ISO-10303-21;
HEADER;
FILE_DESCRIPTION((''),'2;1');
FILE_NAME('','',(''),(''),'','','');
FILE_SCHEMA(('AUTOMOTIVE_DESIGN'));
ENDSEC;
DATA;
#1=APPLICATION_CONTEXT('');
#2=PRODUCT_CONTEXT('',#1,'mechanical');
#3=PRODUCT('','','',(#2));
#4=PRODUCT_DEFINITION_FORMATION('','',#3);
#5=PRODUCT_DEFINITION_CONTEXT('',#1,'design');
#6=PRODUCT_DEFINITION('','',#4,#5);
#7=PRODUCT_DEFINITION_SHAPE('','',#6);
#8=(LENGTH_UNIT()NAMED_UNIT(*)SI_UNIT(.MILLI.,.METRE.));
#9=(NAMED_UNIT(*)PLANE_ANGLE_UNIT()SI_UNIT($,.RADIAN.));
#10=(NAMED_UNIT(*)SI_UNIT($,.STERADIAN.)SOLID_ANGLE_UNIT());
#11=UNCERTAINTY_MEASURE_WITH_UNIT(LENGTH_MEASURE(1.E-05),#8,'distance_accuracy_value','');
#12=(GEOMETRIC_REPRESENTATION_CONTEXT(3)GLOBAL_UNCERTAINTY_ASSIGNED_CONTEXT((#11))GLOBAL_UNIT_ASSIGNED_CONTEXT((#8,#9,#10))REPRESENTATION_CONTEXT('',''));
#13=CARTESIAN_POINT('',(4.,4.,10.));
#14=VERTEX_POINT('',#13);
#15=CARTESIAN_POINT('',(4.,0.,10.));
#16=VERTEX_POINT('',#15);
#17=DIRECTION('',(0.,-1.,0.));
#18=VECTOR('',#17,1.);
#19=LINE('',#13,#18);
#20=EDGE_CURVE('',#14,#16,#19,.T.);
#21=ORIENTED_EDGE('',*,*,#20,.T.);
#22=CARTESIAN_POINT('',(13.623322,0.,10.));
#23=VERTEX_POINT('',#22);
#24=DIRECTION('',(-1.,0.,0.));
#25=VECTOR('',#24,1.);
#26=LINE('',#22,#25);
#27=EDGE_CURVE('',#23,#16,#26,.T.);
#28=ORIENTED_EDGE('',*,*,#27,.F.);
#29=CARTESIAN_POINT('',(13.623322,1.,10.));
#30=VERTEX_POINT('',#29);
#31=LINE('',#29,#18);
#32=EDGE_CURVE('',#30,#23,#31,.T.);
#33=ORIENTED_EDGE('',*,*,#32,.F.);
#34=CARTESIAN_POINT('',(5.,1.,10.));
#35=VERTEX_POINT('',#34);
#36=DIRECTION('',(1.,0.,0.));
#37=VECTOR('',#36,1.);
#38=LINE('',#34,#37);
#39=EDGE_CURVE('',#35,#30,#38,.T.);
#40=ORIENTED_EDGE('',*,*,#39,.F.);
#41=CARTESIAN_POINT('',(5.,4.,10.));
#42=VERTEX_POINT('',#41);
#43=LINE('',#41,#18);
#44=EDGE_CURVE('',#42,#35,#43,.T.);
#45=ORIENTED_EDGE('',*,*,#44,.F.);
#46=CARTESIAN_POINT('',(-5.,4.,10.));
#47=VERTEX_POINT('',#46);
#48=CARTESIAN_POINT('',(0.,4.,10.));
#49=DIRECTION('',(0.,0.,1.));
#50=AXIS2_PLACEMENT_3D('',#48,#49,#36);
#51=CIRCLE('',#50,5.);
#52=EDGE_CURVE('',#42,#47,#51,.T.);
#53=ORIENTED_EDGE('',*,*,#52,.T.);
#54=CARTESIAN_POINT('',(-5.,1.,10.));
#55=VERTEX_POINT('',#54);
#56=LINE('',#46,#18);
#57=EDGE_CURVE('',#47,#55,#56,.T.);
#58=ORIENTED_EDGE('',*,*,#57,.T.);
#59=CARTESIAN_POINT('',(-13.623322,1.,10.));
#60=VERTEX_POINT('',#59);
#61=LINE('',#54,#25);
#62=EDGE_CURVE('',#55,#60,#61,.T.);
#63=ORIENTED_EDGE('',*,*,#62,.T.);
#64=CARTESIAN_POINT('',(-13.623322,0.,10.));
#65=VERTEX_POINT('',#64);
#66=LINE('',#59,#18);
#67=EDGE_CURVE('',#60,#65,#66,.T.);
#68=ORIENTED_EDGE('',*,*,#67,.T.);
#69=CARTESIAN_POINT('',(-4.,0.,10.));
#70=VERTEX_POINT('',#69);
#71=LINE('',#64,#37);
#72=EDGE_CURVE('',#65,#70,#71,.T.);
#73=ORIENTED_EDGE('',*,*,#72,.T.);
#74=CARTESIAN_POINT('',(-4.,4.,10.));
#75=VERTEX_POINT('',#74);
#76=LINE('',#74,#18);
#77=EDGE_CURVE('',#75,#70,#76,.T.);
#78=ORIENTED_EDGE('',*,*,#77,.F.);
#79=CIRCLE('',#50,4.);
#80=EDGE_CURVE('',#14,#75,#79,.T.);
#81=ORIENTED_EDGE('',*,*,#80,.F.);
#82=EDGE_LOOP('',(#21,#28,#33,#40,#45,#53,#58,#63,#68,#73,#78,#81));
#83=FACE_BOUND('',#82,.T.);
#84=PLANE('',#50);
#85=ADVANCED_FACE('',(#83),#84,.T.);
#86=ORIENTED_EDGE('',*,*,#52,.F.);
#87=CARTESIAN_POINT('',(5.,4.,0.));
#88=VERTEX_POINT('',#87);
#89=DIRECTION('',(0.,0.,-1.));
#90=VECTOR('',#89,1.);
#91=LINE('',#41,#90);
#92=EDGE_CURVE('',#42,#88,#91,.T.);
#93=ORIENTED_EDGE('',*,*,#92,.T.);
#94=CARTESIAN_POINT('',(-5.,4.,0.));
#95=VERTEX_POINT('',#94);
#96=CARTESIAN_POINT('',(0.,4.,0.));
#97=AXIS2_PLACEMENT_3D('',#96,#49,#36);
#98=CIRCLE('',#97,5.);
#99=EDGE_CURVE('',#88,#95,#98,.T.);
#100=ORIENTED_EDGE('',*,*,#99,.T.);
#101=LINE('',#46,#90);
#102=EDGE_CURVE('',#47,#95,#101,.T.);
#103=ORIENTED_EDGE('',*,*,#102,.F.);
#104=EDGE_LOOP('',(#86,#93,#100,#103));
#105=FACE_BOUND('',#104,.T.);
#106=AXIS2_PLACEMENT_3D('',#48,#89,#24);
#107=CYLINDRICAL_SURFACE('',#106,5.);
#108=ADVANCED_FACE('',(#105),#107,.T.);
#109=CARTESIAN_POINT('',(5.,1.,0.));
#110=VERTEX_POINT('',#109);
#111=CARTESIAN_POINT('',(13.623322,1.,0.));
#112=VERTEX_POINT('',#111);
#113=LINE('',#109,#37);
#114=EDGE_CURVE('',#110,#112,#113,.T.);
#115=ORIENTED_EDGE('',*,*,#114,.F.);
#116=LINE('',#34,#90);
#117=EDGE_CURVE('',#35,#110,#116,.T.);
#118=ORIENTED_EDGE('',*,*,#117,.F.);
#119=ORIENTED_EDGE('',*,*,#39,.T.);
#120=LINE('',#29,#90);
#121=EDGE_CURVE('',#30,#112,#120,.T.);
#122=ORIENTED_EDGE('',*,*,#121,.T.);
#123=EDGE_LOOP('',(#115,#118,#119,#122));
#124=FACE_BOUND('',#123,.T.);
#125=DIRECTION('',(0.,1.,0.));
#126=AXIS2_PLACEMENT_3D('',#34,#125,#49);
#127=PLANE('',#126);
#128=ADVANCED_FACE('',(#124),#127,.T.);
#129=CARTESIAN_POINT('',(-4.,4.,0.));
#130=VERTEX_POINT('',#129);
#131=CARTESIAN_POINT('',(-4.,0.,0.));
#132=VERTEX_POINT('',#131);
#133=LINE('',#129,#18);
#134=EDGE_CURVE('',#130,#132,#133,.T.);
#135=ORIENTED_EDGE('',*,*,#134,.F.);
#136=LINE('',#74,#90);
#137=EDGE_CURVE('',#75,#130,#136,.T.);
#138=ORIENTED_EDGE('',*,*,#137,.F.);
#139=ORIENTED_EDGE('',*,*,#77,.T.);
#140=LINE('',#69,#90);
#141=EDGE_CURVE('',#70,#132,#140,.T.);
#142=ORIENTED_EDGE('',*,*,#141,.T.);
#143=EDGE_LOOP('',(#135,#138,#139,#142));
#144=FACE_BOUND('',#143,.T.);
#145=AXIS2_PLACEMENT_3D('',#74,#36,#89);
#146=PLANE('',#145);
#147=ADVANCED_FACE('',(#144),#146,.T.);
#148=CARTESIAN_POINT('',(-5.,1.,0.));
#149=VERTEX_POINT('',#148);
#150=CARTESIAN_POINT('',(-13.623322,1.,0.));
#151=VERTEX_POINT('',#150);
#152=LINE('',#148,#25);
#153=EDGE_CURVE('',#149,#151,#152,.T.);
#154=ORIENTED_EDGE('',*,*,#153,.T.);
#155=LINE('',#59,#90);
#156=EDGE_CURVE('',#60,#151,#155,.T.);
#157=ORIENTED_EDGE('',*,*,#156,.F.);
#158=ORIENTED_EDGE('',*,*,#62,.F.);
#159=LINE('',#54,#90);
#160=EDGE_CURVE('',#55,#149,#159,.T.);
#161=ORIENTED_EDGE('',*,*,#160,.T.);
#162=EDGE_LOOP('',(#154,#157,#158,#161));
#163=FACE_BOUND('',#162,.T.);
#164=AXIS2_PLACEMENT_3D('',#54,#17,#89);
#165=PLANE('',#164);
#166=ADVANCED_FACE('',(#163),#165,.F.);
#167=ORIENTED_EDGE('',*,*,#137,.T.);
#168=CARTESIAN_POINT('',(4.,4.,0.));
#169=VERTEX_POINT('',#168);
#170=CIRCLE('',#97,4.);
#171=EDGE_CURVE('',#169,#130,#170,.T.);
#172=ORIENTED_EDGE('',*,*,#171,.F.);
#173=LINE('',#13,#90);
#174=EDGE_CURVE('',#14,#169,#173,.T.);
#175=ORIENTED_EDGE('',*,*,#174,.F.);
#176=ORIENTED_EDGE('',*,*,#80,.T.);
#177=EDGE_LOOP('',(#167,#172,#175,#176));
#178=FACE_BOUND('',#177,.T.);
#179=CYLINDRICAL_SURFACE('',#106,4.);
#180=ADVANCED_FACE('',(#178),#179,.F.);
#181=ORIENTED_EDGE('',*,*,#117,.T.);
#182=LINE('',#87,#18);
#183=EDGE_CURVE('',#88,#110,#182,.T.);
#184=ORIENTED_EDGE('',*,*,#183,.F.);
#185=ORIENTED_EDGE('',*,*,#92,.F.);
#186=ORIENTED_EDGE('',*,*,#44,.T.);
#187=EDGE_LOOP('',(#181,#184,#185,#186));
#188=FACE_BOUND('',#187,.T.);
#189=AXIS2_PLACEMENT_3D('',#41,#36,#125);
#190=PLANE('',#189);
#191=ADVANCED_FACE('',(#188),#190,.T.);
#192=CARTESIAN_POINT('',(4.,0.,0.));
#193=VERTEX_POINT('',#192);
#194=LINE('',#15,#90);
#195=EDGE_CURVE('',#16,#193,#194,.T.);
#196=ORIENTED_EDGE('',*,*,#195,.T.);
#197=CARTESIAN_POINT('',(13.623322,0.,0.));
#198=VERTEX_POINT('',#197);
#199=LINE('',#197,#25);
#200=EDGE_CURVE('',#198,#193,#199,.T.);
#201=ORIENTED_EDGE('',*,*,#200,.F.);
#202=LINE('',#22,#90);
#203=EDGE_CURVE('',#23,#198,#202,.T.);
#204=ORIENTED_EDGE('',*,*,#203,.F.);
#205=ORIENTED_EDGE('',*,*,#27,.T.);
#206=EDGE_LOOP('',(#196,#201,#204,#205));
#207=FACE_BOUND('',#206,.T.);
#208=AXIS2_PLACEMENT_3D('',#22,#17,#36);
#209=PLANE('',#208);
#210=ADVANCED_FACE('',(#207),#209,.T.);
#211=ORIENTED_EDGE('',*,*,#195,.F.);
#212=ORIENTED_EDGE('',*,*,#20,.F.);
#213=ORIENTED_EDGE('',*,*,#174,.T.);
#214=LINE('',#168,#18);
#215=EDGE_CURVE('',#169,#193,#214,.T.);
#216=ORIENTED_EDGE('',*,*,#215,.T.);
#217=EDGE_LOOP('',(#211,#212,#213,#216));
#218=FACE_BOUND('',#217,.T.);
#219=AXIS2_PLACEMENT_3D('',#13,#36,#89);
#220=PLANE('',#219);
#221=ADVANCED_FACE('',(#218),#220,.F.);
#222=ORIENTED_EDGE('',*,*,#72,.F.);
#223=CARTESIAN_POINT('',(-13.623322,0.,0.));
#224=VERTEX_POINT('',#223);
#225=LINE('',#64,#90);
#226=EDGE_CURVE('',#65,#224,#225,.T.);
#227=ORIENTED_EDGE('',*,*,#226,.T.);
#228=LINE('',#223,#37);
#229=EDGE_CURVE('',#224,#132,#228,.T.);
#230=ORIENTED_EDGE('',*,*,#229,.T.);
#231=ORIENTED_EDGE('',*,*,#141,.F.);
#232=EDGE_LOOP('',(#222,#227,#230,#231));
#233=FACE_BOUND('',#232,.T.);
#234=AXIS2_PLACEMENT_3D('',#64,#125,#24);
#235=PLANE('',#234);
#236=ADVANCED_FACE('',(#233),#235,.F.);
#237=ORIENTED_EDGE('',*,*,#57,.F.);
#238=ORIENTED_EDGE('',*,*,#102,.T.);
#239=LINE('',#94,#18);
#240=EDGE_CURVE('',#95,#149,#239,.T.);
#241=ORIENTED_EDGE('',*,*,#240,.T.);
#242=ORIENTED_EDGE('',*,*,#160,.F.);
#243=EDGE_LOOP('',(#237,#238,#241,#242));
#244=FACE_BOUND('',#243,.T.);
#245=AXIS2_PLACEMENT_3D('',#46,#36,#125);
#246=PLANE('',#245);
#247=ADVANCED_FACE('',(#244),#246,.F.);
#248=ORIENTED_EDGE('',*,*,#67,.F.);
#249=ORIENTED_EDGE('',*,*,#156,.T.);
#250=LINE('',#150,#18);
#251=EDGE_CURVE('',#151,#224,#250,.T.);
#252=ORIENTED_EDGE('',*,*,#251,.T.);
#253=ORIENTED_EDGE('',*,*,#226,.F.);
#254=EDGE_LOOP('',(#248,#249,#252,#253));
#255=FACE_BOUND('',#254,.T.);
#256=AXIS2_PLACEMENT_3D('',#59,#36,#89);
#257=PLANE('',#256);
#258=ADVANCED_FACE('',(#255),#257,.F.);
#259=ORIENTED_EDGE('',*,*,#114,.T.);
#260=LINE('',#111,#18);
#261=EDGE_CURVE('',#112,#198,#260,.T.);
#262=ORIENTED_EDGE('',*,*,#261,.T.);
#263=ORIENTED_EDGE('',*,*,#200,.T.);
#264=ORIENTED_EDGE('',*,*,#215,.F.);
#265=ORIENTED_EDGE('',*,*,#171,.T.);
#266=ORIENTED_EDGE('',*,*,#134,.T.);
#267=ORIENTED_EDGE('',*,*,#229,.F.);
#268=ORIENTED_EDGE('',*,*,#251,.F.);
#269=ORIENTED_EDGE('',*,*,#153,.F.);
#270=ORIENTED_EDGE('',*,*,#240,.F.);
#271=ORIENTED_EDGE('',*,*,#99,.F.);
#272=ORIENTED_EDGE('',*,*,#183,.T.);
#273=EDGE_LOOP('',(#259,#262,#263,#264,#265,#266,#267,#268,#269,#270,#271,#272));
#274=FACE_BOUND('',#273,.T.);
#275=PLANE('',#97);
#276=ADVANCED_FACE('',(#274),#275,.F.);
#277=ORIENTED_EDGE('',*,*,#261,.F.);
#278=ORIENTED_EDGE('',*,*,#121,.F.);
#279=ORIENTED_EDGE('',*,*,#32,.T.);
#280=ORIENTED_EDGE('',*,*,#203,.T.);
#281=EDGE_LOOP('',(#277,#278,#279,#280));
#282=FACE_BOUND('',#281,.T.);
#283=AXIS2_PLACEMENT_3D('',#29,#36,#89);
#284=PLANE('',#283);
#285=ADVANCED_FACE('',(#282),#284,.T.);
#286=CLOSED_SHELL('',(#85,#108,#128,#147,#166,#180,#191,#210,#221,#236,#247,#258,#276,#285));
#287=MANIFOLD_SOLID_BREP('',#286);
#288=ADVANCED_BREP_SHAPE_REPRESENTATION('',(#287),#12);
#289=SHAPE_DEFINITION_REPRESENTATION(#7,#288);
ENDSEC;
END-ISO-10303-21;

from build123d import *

# Parameters (mm, degrees)
EXTRUDE_1_DEPTH = 10


with BuildPart() as part:
    # 草图1 → 凸台-拉伸1 (new body)
    with BuildSketch(Plane.XY):
        with BuildLine():
            Line((5, 4), (5, 1))
            Line((5, 1), (13.623322376, 1))
            Line((13.623322376, 1), (13.623322376, 0))
            Line((13.623322376, 0), (4, 0))
            Line((4, 0), (4, 4))
            ThreePointArc((4, 4), (0, 8), (-4, 4))
            Line((-4, 4), (-4, 0))
            Line((-4, 0), (-13.623322376, 0))
            Line((-13.623322376, 0), (-13.623322376, 1))
            Line((-13.623322376, 1), (-5, 1))
            Line((-5, 1), (-5, 4))
            ThreePointArc((-5, 4), (0, 9), (5, 4))
        make_face()
    extrude(amount=EXTRUDE_1_DEPTH)


solid = part.part
